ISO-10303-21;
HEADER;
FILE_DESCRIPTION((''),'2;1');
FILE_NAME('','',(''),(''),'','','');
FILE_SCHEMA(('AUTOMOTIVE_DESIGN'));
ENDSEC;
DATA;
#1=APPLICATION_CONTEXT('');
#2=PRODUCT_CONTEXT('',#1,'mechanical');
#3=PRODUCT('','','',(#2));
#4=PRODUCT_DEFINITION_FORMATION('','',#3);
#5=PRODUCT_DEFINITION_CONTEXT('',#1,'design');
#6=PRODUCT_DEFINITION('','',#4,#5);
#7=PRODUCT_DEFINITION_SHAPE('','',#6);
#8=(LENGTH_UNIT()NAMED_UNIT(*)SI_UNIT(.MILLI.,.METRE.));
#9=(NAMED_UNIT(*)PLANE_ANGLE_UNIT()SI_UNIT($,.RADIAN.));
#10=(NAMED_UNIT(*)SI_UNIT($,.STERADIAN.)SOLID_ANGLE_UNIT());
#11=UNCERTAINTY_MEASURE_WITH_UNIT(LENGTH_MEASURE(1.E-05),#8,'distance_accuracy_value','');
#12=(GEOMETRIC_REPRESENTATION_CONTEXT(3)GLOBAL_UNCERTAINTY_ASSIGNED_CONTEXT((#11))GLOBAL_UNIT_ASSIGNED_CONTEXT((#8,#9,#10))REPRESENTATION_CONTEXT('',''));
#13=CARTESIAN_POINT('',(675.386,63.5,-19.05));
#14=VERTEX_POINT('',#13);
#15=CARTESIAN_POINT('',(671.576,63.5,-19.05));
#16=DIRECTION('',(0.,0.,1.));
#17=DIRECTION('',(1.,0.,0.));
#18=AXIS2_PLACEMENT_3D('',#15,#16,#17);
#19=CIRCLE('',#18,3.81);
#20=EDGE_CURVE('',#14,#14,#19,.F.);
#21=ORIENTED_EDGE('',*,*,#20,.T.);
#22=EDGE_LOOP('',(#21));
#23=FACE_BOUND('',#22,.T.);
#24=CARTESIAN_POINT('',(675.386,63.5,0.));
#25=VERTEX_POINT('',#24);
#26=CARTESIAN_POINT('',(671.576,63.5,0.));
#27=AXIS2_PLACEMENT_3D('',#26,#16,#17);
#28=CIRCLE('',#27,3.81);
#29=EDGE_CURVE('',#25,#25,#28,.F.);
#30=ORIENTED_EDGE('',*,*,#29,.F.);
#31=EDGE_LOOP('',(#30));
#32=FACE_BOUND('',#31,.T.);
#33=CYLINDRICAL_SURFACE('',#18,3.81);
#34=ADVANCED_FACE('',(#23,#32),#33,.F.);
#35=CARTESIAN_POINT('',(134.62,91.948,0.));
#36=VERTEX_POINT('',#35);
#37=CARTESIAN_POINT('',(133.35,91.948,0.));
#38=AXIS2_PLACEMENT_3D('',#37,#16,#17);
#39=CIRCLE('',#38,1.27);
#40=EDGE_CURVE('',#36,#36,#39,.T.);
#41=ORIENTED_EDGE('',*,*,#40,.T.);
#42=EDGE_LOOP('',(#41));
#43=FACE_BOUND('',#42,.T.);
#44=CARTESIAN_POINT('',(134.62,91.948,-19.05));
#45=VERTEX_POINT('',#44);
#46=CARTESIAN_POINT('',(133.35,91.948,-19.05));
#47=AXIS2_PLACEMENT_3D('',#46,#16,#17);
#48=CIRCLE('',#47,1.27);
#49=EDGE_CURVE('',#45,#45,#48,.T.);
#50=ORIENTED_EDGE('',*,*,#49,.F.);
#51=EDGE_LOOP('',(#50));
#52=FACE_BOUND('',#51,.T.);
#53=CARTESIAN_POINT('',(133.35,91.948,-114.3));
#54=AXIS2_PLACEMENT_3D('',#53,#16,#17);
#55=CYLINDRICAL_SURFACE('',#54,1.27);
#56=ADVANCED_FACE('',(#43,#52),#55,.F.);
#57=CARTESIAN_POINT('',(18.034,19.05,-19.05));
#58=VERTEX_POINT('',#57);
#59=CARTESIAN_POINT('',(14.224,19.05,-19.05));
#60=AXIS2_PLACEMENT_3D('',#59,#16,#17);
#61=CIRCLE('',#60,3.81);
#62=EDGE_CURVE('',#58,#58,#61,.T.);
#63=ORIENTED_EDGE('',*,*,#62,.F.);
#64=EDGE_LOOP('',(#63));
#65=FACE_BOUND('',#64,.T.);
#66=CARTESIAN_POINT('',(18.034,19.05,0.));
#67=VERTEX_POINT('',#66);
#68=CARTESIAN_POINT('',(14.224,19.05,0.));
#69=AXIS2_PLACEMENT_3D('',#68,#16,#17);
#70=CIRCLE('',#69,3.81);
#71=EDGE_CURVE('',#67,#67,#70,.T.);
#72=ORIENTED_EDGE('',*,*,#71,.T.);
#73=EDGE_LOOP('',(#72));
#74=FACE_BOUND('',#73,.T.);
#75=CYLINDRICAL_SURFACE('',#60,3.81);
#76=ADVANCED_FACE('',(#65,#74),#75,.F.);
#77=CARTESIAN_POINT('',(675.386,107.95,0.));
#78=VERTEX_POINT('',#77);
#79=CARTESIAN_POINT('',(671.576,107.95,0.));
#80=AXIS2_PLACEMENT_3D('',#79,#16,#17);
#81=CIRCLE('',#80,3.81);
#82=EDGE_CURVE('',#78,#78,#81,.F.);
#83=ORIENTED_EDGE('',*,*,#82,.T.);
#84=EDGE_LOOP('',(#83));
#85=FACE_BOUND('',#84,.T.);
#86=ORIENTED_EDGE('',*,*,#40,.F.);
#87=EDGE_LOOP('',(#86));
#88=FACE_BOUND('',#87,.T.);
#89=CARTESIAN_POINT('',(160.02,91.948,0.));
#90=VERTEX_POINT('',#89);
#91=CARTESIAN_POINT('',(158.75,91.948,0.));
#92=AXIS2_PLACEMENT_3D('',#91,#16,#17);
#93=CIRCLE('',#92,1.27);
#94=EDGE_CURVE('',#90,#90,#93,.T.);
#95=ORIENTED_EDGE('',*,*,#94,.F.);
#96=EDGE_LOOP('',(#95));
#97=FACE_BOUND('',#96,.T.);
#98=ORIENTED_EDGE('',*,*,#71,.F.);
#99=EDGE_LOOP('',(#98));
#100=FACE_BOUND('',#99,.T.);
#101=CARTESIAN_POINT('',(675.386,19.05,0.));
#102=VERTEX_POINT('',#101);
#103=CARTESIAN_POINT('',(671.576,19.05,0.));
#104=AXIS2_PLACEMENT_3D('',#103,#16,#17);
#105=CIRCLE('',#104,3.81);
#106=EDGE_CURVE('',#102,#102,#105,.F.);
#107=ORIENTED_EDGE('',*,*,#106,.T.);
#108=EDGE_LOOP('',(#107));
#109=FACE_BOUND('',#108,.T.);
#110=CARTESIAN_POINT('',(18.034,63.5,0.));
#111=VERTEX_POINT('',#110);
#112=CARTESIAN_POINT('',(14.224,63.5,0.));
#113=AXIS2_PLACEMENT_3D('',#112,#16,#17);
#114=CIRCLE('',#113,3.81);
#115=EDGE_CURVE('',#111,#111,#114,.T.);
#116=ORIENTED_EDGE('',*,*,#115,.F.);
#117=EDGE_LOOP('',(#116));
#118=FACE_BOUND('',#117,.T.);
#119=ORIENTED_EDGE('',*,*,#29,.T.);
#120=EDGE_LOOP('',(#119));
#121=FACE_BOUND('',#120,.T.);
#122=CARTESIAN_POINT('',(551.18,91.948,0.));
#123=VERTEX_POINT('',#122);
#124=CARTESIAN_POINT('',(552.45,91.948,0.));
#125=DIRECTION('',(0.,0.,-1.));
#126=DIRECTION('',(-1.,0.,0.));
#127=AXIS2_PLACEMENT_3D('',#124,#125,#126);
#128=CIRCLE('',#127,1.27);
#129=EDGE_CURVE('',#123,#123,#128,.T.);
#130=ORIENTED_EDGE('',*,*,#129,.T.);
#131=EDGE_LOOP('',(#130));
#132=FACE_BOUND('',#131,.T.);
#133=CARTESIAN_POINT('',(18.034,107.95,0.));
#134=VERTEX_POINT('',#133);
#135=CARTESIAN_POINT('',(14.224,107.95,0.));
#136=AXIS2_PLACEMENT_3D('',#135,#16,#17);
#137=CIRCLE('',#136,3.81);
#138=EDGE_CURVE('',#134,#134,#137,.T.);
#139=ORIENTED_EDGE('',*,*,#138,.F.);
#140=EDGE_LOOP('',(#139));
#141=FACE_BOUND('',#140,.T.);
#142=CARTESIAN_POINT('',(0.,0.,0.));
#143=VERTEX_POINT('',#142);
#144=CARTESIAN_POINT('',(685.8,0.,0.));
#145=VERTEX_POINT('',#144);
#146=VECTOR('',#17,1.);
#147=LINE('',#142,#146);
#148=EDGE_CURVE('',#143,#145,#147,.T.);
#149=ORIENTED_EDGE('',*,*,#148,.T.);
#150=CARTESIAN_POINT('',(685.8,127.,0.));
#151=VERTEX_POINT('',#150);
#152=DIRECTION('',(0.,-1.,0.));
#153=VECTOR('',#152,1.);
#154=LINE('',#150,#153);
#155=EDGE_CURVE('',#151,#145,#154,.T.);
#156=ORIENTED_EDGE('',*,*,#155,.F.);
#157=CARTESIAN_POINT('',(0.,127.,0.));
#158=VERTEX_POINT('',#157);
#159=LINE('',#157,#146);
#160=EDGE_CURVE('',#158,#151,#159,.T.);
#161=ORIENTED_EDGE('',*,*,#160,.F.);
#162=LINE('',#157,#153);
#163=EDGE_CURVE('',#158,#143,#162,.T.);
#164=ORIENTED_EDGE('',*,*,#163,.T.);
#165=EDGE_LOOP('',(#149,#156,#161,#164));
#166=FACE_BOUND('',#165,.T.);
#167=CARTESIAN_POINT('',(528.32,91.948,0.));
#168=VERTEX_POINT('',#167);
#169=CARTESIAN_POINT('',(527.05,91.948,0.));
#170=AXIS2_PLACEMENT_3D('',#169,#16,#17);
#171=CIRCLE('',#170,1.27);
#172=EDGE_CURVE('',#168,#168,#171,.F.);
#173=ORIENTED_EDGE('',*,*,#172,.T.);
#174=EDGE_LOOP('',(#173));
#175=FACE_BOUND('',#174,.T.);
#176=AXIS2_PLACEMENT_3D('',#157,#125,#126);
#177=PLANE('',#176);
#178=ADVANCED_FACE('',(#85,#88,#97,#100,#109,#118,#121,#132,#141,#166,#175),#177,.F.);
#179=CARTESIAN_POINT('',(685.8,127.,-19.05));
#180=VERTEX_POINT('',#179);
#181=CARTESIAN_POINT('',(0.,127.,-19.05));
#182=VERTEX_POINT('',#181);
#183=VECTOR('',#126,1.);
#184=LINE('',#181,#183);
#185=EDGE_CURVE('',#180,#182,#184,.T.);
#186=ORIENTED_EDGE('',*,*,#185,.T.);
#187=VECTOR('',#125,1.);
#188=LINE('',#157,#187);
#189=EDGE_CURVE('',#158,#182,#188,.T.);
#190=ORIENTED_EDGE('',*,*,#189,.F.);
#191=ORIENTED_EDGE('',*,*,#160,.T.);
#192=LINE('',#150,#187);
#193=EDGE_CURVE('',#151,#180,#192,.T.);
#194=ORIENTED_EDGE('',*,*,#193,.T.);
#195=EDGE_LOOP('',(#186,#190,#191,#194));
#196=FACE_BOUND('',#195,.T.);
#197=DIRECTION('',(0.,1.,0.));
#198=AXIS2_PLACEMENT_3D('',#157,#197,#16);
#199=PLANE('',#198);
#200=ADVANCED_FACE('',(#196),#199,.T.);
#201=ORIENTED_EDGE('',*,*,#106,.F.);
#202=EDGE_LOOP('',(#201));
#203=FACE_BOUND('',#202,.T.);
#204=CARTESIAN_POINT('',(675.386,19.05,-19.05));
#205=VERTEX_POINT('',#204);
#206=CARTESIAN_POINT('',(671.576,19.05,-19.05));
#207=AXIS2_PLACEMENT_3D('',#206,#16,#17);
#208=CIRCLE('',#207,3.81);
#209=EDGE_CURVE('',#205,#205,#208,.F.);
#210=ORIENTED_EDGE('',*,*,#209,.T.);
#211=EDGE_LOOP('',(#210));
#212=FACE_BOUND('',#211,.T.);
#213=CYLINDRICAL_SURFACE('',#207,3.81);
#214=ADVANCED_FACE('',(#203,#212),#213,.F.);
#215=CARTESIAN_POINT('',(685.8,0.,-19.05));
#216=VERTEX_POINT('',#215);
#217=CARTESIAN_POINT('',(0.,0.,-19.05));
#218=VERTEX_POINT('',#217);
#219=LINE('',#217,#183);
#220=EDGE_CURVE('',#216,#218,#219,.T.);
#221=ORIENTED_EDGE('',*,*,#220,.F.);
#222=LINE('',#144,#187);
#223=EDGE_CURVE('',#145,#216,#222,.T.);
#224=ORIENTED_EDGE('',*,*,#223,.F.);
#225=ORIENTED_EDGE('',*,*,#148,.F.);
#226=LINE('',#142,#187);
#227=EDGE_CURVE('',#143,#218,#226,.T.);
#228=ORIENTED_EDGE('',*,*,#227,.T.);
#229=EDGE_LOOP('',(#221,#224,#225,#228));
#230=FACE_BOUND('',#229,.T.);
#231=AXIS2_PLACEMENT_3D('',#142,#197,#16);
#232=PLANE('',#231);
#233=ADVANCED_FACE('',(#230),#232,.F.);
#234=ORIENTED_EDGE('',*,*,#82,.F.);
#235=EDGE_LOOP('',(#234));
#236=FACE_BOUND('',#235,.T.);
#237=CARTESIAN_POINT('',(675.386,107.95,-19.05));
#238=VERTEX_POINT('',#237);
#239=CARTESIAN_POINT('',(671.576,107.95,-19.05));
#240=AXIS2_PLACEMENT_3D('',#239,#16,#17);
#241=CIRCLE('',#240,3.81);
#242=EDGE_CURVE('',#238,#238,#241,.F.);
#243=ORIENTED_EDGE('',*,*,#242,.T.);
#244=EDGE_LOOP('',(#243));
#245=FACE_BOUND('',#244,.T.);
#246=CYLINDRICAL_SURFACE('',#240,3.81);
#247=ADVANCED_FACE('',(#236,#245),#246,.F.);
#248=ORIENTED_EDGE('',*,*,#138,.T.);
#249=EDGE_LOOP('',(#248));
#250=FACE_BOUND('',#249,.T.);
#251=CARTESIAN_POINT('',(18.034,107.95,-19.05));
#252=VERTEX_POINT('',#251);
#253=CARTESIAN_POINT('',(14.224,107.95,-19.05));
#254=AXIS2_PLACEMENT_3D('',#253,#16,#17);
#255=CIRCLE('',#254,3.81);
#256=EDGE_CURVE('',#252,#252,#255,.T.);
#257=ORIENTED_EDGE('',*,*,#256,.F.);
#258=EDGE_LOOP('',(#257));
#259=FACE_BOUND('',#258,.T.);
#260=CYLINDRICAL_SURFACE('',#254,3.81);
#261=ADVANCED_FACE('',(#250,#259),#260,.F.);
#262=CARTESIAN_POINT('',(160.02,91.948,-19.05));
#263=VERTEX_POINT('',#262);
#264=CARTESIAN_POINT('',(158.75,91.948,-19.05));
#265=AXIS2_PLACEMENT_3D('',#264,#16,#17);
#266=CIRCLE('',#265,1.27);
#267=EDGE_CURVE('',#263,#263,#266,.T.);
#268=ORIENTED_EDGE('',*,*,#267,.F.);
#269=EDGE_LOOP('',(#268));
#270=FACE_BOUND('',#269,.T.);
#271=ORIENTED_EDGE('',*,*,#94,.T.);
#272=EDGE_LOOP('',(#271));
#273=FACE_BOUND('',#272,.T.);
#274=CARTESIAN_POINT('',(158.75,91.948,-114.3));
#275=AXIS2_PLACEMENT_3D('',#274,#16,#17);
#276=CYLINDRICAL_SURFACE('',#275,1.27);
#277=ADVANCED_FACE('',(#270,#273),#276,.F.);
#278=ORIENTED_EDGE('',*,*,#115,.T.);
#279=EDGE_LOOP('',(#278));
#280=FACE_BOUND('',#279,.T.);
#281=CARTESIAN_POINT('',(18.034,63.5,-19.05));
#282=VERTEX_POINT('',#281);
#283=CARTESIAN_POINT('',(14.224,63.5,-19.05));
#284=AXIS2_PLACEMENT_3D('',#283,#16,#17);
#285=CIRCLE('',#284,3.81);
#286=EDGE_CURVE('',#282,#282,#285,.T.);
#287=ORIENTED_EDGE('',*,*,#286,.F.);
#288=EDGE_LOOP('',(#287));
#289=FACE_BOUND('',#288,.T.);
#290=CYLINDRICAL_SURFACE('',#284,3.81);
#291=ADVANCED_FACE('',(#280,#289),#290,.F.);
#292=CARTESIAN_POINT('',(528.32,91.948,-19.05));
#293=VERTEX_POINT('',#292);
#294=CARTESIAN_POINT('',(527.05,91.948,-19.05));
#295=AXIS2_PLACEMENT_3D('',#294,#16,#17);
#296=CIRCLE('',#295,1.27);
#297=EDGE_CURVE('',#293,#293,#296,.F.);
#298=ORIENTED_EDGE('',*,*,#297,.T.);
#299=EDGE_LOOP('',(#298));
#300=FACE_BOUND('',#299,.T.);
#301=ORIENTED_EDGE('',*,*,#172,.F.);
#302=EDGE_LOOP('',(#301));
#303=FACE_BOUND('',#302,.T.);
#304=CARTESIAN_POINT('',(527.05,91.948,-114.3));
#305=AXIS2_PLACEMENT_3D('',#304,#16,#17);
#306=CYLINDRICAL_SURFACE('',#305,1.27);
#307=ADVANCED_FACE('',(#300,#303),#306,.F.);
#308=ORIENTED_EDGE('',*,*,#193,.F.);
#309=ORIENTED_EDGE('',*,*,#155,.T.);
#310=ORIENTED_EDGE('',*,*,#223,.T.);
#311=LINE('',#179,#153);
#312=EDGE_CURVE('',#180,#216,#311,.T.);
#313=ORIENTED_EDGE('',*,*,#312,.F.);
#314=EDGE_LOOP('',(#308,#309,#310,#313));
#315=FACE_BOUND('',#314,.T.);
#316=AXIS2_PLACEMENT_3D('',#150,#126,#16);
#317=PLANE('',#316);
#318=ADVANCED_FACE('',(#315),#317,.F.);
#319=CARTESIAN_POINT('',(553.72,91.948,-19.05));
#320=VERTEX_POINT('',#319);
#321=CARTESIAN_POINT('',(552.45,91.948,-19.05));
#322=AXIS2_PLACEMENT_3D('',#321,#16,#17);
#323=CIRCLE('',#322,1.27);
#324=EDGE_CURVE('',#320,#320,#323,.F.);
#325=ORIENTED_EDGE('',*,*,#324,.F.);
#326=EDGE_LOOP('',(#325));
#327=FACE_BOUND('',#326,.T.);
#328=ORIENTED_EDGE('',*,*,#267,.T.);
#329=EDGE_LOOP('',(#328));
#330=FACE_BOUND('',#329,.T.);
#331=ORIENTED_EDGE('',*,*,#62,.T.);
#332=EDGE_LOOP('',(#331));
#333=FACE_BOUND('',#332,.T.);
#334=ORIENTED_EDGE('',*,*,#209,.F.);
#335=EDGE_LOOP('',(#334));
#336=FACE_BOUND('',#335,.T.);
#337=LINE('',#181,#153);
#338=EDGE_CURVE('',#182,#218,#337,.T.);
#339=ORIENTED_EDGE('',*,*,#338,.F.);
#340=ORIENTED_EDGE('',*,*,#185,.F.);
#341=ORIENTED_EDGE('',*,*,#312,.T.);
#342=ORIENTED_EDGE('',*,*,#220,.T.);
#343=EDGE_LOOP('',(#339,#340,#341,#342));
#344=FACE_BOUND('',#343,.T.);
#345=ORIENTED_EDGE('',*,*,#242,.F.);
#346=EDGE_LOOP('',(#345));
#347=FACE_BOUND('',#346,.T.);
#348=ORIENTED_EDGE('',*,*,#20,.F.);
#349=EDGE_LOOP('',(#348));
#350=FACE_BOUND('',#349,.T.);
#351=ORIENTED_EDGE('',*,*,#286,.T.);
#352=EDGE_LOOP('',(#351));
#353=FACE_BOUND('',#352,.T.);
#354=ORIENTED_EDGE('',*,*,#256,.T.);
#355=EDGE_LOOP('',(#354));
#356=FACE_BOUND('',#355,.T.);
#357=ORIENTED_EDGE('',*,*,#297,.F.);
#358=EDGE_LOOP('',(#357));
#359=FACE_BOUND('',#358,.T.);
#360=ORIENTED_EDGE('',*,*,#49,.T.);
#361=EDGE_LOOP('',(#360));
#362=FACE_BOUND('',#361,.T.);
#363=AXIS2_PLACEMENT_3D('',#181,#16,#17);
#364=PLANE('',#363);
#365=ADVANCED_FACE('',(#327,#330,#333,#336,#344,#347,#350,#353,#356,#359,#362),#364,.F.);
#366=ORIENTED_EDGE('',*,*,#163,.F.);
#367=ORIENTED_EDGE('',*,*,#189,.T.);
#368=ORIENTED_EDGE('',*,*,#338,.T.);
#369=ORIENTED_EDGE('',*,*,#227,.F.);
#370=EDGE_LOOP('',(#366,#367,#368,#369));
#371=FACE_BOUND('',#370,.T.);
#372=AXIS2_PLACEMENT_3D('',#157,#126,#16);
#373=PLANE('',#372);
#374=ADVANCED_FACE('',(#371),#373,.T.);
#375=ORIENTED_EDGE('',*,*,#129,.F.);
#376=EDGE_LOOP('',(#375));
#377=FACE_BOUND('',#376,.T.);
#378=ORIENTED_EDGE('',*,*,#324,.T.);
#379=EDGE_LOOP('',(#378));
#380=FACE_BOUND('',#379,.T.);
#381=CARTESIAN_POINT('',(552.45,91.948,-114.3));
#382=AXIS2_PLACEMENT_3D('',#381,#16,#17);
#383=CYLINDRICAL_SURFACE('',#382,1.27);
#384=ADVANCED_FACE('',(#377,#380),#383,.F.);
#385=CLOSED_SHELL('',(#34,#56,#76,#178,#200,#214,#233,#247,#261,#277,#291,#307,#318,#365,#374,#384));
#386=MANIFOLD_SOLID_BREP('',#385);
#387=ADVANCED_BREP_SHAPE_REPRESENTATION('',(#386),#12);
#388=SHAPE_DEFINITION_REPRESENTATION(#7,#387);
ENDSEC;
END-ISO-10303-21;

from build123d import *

# Parameters (mm, degrees)
SKETCH3_W           = 647.7
SKETCH3_H           = 19.05
SKETCH3_W_2         = 19.05
BOSS_EXTRUDE1_DEPTH = 127
SKETCH4_R           = 3.81
CUT_EXTRUDE1_DEPTH  = 19.05
SKETCH5_R           = 1.27
CUT_EXTRUDE2_DEPTH  = 114.3


with BuildPart() as part:
    # Sketch3 → Boss-Extrude1 (new body)
    with BuildSketch(Plane(origin=(0, 0, 0), x_dir=(1, 0, 0), z_dir=(0, 1, 0))):
        with Locations((342.9, 9.525)):
            Rectangle(SKETCH3_W, SKETCH3_H)
        with Locations((9.525, 9.525)):
            Rectangle(SKETCH3_W_2, SKETCH3_H)
        with Locations((676.275, 9.525)):
            Rectangle(SKETCH3_W_2, SKETCH3_H)
    extrude(amount=BOSS_EXTRUDE1_DEPTH)

    # Sketch4 → Cut-Extrude1 (cut)
    with BuildSketch(Plane.XY):
        with Locations((671.576, 107.95)):
            Circle(SKETCH4_R)
        with Locations((671.576, 63.5)):
            Circle(SKETCH4_R)
        with Locations((671.576, 19.05)):
            Circle(SKETCH4_R)
        with Locations((14.224, 63.5)):
            Circle(SKETCH4_R)
        with Locations((14.224, 107.95)):
            Circle(SKETCH4_R)
        with Locations((14.224, 19.05)):
            Circle(SKETCH4_R)
    extrude(amount=-CUT_EXTRUDE1_DEPTH, mode=Mode.SUBTRACT)

    # Sketch5 → Cut-Extrude2 (cut)
    with BuildSketch(Plane.XY):
        with Locations((133.35, 91.948)):
            Circle(SKETCH5_R)
        with Locations((158.75, 91.948)):
            Circle(SKETCH5_R)
        with Locations((527.05, 91.948)):
            Circle(SKETCH5_R)
        with Locations((552.45, 91.948)):
            Circle(SKETCH5_R)
    extrude(amount=-CUT_EXTRUDE2_DEPTH, mode=Mode.SUBTRACT)


solid = part.part
